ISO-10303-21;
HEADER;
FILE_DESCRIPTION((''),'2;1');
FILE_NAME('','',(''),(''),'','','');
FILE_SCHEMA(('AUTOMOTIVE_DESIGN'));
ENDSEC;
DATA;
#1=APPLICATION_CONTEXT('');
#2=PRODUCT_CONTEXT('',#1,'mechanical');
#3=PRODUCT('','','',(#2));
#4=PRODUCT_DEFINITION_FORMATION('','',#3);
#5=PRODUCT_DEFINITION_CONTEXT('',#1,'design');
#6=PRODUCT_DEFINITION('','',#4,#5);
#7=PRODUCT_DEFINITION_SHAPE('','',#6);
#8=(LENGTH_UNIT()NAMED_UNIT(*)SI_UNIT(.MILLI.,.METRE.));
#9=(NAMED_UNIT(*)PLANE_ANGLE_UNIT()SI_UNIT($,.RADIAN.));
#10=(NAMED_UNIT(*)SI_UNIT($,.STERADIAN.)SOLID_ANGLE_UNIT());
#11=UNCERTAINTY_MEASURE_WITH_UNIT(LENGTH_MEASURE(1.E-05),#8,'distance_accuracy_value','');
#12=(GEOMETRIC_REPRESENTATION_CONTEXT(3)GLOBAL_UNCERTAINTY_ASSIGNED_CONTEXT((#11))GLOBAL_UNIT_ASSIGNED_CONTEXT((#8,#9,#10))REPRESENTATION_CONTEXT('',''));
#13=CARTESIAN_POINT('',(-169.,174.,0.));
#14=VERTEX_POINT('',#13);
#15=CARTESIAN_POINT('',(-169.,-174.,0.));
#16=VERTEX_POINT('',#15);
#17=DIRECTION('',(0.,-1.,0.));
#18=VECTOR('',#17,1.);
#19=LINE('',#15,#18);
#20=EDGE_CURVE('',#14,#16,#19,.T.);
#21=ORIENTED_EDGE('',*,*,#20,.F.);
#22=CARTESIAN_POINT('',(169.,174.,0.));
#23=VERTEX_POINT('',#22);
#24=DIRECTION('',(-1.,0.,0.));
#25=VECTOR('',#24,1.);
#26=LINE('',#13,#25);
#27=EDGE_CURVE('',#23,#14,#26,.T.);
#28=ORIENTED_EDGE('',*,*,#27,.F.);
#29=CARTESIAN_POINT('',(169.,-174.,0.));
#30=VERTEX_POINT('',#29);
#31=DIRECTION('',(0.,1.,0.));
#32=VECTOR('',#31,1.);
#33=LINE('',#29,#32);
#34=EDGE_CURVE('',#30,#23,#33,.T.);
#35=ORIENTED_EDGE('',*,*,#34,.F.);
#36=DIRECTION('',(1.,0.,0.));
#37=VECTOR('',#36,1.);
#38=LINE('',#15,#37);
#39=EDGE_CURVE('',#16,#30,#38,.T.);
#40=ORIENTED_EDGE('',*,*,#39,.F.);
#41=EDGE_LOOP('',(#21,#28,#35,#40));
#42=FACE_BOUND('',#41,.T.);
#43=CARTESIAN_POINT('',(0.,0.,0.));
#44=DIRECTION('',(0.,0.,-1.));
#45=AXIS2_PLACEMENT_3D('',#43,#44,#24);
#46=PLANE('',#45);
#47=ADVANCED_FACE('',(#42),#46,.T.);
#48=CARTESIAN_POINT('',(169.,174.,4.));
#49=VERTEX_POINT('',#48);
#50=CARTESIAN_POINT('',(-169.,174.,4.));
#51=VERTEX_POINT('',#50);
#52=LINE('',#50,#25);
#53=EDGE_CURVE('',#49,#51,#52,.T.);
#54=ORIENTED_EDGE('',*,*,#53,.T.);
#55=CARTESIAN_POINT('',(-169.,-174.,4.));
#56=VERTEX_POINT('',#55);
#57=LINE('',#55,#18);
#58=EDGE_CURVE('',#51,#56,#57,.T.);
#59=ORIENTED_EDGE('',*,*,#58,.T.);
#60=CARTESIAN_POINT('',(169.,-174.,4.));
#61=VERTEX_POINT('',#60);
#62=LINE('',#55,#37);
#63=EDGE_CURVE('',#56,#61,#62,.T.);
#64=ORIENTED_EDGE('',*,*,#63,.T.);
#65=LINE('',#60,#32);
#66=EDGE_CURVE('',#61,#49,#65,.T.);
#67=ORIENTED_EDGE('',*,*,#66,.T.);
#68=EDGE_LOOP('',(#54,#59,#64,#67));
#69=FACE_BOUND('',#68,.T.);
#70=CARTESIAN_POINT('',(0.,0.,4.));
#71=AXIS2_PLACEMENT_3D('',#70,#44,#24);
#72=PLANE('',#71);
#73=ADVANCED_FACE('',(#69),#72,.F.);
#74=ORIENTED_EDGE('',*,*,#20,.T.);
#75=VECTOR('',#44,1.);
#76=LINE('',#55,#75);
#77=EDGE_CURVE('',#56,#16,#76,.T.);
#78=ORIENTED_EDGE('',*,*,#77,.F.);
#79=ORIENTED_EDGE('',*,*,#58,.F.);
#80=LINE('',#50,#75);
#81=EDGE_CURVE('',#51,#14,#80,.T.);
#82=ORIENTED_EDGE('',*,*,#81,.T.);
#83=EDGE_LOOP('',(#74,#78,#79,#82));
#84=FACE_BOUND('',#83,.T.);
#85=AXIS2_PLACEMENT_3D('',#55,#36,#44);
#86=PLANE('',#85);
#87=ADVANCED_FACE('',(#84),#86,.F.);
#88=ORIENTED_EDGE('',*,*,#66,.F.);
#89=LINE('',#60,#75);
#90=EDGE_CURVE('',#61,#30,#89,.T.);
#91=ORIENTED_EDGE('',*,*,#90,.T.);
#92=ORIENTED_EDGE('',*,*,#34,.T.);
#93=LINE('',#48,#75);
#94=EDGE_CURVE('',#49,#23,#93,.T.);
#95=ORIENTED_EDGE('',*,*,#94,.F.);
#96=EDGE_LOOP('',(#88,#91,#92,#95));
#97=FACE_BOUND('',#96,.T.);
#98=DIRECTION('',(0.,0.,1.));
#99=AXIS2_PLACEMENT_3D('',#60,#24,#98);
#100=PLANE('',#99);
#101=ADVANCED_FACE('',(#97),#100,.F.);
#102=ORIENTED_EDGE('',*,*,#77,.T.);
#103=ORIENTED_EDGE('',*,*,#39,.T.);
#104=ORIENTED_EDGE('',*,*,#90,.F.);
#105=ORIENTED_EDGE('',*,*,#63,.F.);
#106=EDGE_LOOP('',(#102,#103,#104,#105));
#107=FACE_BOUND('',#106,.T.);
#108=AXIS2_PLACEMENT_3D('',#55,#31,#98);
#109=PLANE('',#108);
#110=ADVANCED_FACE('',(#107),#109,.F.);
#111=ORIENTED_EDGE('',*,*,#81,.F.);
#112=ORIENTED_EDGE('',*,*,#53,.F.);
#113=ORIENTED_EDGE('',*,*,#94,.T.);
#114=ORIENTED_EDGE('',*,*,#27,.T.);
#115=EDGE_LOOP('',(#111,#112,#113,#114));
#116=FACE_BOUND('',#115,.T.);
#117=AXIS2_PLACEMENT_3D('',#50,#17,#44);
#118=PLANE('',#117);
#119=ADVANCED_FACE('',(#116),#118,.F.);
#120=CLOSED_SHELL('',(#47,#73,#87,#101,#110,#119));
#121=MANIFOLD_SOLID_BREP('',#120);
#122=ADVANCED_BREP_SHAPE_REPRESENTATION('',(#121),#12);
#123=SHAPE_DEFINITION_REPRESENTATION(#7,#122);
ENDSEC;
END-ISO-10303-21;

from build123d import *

# Parameters (mm, degrees)
ESQUISSE1_W        = 338
ESQUISSE1_H        = 348
BOSS_EXTRU_1_DEPTH = 4


with BuildPart() as part:
    # Esquisse1 → Boss.-Extru.1 (new body)
    with BuildSketch(Plane.XY):
        Rectangle(ESQUISSE1_W, ESQUISSE1_H)
    extrude(amount=BOSS_EXTRU_1_DEPTH)


solid = part.part
